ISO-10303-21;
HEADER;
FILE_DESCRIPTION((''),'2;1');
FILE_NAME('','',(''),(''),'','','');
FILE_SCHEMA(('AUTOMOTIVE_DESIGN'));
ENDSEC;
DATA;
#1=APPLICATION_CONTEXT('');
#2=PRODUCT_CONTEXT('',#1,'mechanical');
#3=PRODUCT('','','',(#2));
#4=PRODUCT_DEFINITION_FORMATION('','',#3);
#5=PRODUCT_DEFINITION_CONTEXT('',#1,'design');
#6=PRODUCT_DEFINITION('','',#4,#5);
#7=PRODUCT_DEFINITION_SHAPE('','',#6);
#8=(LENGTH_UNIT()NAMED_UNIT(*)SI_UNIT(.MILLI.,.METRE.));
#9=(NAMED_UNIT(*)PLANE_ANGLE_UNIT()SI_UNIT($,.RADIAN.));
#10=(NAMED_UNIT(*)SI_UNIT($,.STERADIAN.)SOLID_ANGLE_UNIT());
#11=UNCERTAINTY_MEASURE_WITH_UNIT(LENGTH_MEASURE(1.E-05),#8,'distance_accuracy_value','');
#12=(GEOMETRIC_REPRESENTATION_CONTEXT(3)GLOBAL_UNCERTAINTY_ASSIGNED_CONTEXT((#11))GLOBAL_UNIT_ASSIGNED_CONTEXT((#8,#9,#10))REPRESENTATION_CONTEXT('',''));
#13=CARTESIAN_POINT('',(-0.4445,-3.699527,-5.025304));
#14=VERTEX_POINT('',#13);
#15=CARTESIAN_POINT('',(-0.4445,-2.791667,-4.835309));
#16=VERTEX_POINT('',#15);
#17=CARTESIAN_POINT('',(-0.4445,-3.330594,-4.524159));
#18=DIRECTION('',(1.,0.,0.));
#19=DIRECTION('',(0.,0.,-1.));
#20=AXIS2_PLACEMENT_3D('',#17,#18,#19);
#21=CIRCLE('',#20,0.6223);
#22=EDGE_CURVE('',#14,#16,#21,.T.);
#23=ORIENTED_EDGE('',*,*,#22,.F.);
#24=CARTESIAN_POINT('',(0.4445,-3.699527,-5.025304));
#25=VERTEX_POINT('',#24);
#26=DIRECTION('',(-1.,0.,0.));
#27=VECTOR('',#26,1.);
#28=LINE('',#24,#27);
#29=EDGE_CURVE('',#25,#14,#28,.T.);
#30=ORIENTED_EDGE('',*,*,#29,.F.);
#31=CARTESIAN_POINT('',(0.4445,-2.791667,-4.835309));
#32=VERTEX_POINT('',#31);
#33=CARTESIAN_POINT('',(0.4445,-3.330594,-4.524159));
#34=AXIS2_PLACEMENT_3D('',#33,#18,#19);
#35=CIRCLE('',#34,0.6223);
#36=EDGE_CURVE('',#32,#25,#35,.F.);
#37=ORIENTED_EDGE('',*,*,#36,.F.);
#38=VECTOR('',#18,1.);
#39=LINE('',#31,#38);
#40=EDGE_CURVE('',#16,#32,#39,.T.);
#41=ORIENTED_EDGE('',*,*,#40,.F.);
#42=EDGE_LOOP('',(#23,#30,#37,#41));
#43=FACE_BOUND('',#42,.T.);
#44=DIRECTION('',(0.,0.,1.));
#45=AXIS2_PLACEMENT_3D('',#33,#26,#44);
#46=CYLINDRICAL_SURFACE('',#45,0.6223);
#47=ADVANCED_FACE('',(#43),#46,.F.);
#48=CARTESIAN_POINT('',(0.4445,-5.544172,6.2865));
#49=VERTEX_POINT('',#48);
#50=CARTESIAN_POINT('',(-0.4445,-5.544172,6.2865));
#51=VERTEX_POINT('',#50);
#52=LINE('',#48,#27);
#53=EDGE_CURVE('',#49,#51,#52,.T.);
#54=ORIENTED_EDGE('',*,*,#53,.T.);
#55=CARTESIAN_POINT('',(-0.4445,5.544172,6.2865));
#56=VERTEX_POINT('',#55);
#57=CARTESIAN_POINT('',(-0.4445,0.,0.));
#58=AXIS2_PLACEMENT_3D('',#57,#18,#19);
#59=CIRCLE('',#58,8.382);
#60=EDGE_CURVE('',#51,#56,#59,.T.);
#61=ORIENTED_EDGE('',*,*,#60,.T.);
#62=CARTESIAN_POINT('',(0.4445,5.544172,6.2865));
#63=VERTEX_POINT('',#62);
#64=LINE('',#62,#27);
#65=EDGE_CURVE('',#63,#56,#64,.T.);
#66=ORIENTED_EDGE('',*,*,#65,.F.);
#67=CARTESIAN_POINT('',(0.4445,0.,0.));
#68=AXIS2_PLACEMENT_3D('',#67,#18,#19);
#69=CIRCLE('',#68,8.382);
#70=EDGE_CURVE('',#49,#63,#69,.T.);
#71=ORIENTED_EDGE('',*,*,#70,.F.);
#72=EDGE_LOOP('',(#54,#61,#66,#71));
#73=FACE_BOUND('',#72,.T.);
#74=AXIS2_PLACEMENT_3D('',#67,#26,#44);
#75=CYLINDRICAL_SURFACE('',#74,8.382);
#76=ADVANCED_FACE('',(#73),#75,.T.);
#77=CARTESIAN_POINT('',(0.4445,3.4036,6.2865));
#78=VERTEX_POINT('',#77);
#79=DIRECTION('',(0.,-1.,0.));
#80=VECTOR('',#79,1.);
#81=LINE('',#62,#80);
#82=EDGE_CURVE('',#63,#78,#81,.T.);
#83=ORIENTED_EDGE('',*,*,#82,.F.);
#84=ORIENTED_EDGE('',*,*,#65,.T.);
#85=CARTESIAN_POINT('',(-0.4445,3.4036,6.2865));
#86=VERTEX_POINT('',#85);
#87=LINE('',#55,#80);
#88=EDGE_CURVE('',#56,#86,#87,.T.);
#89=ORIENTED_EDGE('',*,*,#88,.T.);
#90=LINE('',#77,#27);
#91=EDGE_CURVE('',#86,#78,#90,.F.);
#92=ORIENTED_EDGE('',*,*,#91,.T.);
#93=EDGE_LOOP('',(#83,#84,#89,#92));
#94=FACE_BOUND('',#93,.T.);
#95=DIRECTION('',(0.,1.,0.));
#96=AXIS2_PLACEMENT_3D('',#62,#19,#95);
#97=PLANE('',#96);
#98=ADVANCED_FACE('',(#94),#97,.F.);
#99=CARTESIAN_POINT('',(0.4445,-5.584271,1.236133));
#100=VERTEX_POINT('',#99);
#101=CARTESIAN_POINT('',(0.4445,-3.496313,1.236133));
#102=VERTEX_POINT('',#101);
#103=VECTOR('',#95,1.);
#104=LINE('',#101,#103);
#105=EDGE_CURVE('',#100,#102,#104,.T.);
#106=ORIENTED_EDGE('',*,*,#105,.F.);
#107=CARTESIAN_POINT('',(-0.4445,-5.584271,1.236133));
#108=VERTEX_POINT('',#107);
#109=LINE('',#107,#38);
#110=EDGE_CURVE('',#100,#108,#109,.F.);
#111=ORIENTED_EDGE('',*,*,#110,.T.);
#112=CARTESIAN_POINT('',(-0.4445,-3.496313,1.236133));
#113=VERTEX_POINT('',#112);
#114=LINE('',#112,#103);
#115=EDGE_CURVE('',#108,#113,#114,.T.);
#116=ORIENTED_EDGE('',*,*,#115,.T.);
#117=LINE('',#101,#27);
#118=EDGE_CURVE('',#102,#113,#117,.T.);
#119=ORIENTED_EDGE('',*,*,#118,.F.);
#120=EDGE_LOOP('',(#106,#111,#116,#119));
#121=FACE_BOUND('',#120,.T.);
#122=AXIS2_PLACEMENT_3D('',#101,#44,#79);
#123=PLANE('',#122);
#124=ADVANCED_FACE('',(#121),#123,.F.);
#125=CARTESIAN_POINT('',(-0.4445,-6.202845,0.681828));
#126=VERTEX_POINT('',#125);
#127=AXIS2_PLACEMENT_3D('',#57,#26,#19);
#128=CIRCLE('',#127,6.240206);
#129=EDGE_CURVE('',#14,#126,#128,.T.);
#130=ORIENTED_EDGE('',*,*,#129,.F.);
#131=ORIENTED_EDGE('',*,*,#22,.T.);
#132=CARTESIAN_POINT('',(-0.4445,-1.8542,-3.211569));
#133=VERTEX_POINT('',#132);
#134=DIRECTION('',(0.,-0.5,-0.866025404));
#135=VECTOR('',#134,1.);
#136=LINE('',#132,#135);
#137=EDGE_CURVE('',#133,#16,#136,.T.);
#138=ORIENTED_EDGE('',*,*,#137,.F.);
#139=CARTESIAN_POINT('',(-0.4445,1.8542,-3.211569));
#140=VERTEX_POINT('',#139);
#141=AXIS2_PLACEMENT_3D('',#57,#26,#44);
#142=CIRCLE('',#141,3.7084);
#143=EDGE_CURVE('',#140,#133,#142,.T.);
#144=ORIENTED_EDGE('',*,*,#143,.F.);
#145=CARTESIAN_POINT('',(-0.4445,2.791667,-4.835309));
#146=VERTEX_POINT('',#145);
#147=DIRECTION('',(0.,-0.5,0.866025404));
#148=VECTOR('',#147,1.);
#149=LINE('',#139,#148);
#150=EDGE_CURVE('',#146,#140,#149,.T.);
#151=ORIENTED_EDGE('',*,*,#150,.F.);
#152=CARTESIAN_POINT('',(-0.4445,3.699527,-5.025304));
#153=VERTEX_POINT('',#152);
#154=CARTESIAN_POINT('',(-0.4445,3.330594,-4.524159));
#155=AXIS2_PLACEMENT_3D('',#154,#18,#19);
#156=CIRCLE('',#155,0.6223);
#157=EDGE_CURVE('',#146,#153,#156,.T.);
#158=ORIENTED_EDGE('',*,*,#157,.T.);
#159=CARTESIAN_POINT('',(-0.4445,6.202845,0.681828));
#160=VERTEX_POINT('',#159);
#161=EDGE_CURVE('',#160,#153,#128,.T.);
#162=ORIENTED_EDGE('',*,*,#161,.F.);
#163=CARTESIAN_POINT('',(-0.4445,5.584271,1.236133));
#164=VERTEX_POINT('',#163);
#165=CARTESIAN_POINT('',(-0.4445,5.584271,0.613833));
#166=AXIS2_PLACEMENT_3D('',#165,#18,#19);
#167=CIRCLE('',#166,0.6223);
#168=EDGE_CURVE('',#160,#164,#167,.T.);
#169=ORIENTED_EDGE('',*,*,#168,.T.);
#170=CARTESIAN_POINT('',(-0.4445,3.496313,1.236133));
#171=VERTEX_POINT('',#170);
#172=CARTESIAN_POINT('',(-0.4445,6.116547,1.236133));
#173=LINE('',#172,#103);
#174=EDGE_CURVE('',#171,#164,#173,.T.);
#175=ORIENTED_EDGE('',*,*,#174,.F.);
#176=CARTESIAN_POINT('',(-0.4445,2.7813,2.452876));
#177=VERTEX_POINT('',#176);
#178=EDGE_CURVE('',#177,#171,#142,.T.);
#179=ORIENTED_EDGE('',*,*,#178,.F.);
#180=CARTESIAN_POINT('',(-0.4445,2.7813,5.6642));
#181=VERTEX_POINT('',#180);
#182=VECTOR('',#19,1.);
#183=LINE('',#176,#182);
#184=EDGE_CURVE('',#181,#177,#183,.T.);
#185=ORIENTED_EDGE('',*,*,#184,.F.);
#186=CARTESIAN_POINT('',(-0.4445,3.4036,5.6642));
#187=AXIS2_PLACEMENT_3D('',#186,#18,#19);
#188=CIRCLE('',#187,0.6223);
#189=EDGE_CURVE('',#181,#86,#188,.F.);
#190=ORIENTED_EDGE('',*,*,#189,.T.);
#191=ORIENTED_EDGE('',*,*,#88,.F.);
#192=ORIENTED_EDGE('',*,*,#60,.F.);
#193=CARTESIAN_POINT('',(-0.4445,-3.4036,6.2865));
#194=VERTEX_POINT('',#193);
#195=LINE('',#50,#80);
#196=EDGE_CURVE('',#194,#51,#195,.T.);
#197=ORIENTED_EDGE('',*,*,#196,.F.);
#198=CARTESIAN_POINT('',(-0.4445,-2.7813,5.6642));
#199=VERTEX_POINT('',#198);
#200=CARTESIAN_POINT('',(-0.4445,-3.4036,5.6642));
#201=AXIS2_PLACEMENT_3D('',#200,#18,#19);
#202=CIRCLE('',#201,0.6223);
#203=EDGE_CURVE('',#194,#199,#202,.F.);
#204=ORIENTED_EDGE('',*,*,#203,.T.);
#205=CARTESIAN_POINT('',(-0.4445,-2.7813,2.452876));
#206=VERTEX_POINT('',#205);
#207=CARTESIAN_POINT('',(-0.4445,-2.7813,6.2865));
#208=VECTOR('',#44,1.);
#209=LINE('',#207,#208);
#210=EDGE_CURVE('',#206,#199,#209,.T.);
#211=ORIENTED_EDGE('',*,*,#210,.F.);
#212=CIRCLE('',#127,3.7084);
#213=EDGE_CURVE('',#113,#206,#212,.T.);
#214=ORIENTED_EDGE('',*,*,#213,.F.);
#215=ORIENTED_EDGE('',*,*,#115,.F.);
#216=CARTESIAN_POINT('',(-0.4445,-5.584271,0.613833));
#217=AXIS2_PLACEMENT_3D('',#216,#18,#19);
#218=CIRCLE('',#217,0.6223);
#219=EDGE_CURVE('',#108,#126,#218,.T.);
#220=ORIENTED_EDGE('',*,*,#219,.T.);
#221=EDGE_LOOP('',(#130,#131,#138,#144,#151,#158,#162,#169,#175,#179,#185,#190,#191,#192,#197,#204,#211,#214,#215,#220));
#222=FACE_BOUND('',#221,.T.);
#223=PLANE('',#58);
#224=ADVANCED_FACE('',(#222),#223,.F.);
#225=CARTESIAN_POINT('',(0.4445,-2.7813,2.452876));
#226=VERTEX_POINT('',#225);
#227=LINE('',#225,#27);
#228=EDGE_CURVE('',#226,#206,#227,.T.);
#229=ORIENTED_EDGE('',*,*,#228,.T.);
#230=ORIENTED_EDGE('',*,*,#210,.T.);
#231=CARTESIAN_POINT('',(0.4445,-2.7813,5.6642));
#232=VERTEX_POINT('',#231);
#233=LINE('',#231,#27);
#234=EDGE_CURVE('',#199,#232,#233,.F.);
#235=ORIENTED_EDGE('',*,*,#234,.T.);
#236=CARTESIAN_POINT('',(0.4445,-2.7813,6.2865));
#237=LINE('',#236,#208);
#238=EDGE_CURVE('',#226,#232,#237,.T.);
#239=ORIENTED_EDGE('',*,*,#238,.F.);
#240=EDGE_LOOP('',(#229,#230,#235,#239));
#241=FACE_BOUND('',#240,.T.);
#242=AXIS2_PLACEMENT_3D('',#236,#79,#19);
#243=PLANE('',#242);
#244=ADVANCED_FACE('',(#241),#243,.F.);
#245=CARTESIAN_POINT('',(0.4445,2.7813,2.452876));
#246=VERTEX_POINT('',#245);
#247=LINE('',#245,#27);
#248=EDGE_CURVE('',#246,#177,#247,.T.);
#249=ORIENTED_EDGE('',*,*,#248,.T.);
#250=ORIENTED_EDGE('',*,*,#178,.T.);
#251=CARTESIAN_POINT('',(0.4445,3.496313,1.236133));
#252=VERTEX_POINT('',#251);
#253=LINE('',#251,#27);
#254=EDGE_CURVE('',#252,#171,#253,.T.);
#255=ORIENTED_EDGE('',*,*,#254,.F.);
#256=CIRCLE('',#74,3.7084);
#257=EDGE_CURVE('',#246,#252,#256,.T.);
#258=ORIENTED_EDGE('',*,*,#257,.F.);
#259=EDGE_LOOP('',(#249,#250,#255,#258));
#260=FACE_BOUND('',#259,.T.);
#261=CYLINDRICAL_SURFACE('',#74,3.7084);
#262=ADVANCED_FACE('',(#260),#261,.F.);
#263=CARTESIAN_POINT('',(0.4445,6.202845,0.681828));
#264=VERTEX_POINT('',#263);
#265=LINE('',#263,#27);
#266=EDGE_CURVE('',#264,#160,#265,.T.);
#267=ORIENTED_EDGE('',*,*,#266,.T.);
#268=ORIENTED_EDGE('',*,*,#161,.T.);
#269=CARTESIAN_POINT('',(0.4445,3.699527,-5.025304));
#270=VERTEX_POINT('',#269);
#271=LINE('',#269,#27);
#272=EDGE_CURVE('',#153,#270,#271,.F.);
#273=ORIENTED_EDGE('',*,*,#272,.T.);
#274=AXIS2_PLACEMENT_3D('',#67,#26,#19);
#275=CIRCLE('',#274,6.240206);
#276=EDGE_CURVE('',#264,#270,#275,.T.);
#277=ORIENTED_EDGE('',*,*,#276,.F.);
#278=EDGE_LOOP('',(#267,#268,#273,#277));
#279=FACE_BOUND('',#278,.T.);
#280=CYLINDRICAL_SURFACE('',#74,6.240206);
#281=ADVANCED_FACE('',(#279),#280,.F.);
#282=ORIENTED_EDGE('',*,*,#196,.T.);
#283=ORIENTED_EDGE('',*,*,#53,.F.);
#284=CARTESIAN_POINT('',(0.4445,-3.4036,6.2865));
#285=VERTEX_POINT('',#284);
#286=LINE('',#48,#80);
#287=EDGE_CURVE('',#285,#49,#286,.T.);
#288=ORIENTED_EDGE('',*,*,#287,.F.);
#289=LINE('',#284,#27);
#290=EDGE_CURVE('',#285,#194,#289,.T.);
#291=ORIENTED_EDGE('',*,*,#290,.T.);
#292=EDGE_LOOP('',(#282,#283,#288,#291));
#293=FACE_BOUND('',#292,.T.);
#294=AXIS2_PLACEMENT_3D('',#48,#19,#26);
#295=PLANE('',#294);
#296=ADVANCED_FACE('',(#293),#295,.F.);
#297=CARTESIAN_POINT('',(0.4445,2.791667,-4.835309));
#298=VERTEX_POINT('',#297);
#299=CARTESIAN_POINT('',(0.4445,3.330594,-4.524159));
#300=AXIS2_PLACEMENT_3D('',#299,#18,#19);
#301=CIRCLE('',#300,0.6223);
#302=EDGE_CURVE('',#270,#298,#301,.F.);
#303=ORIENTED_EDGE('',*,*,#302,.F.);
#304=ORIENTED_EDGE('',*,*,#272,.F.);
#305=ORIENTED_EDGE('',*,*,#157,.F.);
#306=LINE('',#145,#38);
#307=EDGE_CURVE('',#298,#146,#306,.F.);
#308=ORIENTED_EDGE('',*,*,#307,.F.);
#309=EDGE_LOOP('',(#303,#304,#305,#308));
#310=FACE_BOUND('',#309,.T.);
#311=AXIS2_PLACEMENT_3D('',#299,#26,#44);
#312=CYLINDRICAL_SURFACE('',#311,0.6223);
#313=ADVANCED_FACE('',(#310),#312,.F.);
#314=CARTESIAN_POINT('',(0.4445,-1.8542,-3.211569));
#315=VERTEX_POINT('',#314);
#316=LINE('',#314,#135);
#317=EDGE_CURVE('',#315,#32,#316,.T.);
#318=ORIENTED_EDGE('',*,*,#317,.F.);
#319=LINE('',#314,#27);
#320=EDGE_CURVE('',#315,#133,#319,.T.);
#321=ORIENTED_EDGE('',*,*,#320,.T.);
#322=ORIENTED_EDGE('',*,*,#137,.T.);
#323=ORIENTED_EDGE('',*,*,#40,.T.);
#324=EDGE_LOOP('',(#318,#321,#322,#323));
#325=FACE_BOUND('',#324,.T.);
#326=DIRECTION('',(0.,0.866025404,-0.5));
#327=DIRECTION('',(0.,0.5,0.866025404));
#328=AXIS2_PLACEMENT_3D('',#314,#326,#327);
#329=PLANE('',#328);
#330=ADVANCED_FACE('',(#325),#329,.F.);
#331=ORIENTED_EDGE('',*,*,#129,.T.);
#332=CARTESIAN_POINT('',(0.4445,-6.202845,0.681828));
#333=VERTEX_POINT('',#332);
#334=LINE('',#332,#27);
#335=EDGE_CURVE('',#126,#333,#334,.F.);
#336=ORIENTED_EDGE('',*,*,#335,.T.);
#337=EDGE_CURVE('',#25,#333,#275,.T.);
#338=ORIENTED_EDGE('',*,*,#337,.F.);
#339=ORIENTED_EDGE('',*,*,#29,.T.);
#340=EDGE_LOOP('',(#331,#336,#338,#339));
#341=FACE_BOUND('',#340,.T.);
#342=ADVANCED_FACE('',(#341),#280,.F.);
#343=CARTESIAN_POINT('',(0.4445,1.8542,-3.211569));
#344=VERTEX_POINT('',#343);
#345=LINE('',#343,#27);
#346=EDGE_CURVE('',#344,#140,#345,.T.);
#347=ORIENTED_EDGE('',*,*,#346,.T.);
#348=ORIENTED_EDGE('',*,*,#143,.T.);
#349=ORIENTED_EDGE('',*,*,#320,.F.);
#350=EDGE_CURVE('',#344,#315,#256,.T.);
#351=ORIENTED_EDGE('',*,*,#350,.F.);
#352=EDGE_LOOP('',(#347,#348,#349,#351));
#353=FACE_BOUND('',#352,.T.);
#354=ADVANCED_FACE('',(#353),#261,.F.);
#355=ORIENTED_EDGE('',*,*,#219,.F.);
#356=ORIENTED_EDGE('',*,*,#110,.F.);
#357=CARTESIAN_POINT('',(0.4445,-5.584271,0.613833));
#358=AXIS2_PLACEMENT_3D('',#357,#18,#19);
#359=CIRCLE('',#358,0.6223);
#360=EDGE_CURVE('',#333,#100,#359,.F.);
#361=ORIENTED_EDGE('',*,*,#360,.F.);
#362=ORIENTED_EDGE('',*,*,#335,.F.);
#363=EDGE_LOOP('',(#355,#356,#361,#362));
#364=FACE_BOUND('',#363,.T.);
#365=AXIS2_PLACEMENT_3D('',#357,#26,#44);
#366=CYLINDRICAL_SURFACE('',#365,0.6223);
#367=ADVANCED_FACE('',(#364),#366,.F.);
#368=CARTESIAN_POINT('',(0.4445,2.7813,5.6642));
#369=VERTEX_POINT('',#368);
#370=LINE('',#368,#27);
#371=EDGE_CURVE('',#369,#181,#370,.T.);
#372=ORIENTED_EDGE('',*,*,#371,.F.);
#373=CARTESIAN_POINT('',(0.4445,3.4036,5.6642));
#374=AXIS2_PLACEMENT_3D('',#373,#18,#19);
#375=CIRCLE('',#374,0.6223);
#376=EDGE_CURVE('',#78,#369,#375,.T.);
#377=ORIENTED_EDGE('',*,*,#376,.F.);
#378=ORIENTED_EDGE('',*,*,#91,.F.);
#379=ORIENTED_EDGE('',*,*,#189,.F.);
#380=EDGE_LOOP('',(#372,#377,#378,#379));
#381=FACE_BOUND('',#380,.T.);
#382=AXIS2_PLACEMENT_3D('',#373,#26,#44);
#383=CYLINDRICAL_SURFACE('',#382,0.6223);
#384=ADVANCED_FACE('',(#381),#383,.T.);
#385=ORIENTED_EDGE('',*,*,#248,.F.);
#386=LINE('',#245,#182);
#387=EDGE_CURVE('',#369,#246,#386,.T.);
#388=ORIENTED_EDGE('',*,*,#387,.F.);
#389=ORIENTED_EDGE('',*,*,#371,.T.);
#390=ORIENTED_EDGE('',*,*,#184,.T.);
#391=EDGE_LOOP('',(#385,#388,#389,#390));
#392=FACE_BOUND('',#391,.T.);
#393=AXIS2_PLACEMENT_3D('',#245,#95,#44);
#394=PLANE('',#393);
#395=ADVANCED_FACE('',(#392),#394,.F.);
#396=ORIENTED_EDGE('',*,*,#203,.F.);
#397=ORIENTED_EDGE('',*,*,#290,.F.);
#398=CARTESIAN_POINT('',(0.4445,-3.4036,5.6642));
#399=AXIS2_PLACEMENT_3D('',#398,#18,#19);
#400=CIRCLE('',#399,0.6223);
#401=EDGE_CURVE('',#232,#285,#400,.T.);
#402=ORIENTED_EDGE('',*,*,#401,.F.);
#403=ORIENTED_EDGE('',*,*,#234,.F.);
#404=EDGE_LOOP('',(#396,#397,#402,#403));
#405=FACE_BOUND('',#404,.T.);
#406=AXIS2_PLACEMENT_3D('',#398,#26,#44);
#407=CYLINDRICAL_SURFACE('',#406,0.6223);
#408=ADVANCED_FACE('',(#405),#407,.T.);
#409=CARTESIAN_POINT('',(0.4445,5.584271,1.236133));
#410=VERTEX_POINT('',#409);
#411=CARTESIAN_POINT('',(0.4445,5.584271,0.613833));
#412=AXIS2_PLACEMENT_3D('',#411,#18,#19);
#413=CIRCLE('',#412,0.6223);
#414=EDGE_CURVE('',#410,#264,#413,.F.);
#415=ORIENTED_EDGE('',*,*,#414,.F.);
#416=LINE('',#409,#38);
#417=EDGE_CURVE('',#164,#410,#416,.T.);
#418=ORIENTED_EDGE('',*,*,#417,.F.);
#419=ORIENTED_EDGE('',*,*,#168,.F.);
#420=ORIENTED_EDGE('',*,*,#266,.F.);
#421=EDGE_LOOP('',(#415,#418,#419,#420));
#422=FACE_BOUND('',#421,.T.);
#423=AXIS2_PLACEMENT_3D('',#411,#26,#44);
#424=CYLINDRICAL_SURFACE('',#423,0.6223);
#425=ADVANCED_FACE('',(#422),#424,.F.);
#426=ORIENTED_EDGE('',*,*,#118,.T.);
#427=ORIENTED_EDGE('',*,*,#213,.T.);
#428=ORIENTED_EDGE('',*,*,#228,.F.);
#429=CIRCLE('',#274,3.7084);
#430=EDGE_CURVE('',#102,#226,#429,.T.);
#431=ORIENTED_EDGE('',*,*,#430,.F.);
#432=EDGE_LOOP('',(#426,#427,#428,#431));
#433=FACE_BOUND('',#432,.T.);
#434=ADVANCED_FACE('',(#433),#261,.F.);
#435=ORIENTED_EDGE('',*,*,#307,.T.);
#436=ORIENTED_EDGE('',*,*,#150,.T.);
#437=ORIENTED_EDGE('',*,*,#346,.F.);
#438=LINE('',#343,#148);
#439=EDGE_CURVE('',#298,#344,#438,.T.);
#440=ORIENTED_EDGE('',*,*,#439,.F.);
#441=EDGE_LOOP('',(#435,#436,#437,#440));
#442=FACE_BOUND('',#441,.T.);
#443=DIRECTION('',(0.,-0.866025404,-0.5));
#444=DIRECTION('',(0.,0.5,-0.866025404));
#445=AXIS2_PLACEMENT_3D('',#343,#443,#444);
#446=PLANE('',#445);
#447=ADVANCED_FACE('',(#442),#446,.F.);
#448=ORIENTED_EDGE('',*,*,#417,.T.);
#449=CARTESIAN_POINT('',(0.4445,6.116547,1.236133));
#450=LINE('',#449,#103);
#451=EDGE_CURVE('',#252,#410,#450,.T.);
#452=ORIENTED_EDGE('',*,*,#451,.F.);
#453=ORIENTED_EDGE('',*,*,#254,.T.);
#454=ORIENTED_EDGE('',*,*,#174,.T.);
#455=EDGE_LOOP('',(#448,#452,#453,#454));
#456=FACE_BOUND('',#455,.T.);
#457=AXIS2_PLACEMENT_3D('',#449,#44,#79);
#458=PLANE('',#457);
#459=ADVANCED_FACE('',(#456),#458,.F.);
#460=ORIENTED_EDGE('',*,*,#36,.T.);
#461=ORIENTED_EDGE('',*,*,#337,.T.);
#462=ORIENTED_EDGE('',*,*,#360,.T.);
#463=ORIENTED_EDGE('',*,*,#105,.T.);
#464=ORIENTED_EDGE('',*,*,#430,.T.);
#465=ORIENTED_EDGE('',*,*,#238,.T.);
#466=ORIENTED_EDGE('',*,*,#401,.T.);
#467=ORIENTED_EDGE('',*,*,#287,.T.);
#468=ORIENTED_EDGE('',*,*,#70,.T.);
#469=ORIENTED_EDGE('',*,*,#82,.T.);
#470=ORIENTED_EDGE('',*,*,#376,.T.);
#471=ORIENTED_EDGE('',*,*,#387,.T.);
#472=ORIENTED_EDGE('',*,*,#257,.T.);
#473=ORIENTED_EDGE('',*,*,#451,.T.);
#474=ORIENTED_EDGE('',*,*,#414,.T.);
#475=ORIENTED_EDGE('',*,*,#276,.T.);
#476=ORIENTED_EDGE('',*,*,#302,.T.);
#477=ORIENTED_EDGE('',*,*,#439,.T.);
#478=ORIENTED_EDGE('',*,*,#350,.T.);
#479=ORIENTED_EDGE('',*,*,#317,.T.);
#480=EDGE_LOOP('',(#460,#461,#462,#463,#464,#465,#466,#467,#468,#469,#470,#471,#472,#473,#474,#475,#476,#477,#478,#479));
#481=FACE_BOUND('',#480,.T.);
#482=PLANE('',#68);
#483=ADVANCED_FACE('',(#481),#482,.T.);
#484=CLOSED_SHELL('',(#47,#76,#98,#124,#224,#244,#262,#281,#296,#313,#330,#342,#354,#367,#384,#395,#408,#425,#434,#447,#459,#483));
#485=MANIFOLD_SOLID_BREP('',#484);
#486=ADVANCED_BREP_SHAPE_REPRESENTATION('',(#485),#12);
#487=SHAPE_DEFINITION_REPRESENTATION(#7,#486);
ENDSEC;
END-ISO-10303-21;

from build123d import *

# Parameters (mm, degrees)
EXTRUDE1_DEPTH = 0.4445
FILLET1_R      = 0.6223


with BuildPart() as part:
    # Sketch1 → Extrude1 (new body, symmetric)
    with BuildSketch(Plane(origin=(0, 0, 0), x_dir=(0, 0, -1), z_dir=(1, 0, 0))):
        with BuildLine():
            Line((-2.45287604, 2.7813), (-6.2865, 2.7813))
            Line((-6.2865, 2.7813), (-6.2865, 5.544171872))
            ThreePointArc((-6.2865, 5.544171872), (8.382, 0), (-6.2865, -5.544171872))
            Line((-6.2865, -5.544171872), (-6.2865, -2.7813))
            Line((-6.2865, -2.7813), (-2.45287604, -2.7813))
            ThreePointArc((-2.45287604, -2.7813), (-1.878831673, -3.197220997), (-1.236133333, -3.49631305))
            Line((-1.236133333, -3.49631305), (-1.236133333, -6.116547306))
            ThreePointArc((-1.236133333, -6.116547306), (2.566674294, -5.687913469), (5.404177312, -3.120103226))
            Line((5.404177312, -3.120103226), (3.211568607, -1.8542))
            ThreePointArc((3.211568607, -1.8542), (3.7084, 0), (3.211568607, 1.8542))
            Line((3.211568607, 1.8542), (5.404177312, 3.120103226))
            ThreePointArc((5.404177312, 3.120103226), (2.566674294, 5.687913469), (-1.236133333, 6.116547306))
            Line((-1.236133333, 6.116547306), (-1.236133333, 3.49631305))
            ThreePointArc((-1.236133333, 3.49631305), (-1.878831673, 3.197220997), (-2.45287604, 2.7813))
        make_face()
    extrude(amount=EXTRUDE1_DEPTH, both=True)

    # Fillet1
    fillet1_edges = [part.edges().sort_by_distance(p)[0] for p in [
        (0, -2.7813, 6.2865),
        (0, -6.116547306, 1.236133333),
        (0, -3.120103226, -5.404177312),
        (0, 3.120103226, -5.404177312),
        (0, 6.116547306, 1.236133333),
        (0, 2.7813, 6.2865),
    ]]
    fillet(fillet1_edges, radius=FILLET1_R)


solid = part.part
